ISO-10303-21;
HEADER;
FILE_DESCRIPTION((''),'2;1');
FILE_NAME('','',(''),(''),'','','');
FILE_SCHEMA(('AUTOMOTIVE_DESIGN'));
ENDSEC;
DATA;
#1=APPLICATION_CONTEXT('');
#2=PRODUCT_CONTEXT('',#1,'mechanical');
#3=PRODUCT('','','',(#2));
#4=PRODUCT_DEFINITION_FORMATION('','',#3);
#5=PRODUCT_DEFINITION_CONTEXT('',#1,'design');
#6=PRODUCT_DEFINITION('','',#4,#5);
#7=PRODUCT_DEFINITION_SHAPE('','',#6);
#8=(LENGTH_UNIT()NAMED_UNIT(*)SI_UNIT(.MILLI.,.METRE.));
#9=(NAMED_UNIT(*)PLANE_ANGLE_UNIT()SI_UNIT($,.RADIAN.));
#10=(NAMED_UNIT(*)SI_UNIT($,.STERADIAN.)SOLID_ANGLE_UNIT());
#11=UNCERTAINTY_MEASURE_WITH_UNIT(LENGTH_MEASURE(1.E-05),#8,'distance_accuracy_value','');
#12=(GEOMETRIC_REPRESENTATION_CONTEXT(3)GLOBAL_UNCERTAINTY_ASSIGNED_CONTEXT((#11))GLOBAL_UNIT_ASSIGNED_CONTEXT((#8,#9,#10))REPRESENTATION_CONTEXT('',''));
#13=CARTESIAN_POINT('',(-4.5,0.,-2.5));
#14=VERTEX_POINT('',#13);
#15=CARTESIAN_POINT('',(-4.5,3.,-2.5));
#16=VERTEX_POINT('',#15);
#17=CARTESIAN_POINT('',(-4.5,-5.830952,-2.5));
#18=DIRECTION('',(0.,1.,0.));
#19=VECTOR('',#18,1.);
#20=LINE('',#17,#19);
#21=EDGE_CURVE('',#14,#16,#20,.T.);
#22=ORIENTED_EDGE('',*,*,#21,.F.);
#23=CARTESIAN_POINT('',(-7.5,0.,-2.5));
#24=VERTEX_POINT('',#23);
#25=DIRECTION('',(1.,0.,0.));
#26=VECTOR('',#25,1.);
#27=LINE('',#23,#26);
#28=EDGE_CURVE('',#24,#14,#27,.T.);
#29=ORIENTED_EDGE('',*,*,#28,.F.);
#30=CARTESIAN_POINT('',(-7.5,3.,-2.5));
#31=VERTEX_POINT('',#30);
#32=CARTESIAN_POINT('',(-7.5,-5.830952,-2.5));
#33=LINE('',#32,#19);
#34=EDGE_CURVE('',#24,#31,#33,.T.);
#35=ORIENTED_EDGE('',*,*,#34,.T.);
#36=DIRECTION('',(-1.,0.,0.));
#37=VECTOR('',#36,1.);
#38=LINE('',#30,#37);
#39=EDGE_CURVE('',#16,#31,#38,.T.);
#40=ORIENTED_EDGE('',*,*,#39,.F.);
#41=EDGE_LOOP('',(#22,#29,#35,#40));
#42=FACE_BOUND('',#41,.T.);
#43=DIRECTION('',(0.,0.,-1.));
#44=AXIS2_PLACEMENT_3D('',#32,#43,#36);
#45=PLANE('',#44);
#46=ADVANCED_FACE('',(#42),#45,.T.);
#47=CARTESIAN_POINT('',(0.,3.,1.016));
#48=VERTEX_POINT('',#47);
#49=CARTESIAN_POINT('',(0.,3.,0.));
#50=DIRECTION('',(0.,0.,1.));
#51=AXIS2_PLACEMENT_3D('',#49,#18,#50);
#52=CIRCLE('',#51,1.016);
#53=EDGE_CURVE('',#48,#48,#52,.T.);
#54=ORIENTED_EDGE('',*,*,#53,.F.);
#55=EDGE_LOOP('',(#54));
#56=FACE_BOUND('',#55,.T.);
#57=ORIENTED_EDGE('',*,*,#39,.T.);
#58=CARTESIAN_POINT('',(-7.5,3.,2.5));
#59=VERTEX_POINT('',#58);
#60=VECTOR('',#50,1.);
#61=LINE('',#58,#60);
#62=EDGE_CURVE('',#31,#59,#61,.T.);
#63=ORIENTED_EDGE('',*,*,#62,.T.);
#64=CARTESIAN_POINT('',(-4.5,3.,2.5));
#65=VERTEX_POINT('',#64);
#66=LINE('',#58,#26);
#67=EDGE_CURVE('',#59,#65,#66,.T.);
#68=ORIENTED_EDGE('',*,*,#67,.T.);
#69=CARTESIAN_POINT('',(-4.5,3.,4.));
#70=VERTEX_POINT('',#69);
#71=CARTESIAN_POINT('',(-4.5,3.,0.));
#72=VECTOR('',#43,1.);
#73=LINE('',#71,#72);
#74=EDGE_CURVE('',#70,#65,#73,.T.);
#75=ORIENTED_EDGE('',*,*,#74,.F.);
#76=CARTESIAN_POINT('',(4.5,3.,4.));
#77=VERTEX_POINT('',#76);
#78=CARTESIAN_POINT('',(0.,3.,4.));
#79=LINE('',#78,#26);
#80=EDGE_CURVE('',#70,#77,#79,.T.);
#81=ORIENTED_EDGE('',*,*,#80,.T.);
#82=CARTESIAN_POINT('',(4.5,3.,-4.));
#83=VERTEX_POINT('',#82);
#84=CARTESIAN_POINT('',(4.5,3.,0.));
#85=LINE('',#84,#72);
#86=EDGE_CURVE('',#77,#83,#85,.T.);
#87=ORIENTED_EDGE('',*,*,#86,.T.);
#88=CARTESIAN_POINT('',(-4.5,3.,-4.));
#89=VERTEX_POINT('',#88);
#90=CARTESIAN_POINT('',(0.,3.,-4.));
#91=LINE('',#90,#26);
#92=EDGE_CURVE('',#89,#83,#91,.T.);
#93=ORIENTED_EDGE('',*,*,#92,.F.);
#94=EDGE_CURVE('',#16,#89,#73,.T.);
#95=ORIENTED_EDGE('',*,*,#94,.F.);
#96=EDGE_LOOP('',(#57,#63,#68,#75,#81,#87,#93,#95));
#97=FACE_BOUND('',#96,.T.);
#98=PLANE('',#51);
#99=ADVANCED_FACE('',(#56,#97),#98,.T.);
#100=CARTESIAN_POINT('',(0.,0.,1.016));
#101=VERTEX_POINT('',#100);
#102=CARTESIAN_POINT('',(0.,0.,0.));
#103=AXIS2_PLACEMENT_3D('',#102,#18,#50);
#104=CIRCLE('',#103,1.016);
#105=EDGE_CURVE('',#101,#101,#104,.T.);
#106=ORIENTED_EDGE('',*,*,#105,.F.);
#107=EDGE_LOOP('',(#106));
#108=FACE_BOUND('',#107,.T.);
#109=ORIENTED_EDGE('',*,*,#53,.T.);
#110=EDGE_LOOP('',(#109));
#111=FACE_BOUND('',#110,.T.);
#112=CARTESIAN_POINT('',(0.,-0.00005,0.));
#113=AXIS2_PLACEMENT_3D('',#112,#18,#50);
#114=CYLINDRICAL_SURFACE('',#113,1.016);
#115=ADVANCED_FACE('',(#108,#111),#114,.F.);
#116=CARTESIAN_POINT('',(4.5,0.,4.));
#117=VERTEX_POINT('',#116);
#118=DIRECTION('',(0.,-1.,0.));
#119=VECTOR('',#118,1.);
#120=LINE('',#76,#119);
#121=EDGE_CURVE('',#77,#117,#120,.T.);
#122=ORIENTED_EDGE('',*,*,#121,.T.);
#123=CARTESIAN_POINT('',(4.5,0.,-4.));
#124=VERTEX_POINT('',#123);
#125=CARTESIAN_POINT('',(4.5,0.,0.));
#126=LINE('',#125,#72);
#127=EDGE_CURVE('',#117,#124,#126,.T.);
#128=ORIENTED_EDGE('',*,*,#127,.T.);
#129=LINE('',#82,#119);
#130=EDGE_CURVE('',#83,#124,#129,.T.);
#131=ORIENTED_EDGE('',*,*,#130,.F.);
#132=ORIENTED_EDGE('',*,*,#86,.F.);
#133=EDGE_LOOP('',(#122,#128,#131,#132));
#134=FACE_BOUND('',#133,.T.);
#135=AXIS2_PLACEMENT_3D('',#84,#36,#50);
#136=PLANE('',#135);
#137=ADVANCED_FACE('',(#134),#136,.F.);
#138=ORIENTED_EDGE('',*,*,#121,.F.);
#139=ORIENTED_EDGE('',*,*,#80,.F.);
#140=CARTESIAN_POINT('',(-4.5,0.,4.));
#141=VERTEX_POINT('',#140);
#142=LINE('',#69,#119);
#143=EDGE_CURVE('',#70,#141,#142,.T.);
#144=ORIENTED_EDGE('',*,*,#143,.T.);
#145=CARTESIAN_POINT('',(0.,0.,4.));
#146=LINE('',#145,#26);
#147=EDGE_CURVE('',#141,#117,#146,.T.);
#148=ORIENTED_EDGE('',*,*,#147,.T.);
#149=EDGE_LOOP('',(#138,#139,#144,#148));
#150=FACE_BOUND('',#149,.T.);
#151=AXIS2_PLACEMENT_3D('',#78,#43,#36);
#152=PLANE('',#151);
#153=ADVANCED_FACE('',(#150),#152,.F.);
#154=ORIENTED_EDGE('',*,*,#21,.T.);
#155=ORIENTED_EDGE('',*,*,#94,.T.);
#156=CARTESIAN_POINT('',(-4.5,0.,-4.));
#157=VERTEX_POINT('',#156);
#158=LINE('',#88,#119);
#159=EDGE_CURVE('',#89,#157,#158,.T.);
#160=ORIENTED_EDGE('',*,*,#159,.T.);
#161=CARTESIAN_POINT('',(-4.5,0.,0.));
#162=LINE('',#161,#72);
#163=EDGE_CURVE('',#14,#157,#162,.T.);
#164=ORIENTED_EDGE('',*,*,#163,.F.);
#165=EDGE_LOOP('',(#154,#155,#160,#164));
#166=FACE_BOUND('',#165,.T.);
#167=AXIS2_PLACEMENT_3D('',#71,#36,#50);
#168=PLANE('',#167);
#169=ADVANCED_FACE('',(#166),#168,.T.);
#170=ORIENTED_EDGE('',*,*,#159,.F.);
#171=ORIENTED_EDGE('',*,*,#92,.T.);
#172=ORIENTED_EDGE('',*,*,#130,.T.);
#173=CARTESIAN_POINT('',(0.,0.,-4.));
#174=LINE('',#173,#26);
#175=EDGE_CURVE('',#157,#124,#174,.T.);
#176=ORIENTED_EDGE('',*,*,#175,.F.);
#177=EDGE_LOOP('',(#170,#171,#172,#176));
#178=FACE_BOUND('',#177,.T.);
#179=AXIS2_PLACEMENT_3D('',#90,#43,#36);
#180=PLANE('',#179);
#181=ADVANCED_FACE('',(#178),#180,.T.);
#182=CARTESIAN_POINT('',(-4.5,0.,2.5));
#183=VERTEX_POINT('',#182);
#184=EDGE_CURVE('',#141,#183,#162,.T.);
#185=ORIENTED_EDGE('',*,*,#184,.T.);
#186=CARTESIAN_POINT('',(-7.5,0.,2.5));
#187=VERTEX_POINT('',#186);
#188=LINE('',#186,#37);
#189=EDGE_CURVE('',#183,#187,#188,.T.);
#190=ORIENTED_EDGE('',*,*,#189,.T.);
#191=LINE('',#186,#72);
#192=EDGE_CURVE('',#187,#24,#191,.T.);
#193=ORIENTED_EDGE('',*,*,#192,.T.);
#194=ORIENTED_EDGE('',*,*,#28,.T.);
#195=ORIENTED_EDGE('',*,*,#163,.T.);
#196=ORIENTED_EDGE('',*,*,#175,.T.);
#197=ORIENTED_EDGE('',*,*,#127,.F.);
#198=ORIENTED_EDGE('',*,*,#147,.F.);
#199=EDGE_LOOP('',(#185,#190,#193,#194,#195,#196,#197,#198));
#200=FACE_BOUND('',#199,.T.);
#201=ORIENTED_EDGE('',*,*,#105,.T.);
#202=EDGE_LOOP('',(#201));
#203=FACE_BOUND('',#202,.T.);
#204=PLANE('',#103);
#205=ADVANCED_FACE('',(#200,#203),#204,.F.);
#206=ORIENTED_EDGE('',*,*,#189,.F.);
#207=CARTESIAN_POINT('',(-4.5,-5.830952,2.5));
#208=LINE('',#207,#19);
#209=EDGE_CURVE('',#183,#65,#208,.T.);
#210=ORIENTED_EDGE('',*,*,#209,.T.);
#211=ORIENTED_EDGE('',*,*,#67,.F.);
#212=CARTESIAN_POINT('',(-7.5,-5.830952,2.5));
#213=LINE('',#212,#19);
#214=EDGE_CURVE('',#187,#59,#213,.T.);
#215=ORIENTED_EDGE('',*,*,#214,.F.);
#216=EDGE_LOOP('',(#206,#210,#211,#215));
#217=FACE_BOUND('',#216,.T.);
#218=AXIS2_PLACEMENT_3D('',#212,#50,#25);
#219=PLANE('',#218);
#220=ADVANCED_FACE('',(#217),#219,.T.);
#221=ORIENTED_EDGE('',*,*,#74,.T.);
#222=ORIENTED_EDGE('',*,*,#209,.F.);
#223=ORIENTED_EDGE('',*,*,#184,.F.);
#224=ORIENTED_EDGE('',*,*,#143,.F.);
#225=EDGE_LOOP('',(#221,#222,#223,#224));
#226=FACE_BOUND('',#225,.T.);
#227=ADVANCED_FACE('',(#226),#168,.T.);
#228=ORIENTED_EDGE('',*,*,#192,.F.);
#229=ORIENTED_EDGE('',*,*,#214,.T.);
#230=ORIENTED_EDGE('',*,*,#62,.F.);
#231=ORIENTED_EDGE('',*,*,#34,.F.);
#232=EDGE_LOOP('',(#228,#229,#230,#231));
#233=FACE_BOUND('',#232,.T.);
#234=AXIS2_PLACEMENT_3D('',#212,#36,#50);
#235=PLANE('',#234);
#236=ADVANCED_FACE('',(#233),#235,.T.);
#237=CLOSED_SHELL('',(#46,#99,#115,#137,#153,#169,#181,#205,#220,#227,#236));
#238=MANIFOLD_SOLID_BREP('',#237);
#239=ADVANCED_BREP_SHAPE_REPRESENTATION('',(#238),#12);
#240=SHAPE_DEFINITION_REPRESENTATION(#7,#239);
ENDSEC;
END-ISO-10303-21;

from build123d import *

# Parameters (mm, degrees)
SKETCH1_W           = 9
SKETCH1_H           = 8
BOSS_EXTRUDE1_DEPTH = 3
SKETCH2_W           = 3
SKETCH2_H           = 5
BOSS_EXTRUDE2_DEPTH = 3
SKETCH3_R           = 1.016
CUT_EXTRUDE1_DEPTH  = 4


with BuildPart() as part:
    # Sketch1 → Boss-Extrude1 (new body)
    with BuildSketch(Plane(origin=(0, 0, 0), x_dir=(1, 0, 0), z_dir=(0, 1, 0))):
        Rectangle(SKETCH1_W, SKETCH1_H)
    extrude(amount=BOSS_EXTRUDE1_DEPTH)

    # Sketch2 → Boss-Extrude2 (add)
    with BuildSketch(Plane(origin=(0, 3, 0), x_dir=(1, 0, 0), z_dir=(0, 1, 0))):
        with Locations((-6, 0)):
            Rectangle(SKETCH2_W, SKETCH2_H)
    extrude(amount=-BOSS_EXTRUDE2_DEPTH)

    # Sketch3 → Cut-Extrude1 (cut, through all)
    with BuildSketch(Plane(origin=(0, 3, 0), x_dir=(1, 0, 0), z_dir=(0, 1, 0))):
        Circle(SKETCH3_R)
    extrude(amount=-CUT_EXTRUDE1_DEPTH, mode=Mode.SUBTRACT)


solid = part.part
